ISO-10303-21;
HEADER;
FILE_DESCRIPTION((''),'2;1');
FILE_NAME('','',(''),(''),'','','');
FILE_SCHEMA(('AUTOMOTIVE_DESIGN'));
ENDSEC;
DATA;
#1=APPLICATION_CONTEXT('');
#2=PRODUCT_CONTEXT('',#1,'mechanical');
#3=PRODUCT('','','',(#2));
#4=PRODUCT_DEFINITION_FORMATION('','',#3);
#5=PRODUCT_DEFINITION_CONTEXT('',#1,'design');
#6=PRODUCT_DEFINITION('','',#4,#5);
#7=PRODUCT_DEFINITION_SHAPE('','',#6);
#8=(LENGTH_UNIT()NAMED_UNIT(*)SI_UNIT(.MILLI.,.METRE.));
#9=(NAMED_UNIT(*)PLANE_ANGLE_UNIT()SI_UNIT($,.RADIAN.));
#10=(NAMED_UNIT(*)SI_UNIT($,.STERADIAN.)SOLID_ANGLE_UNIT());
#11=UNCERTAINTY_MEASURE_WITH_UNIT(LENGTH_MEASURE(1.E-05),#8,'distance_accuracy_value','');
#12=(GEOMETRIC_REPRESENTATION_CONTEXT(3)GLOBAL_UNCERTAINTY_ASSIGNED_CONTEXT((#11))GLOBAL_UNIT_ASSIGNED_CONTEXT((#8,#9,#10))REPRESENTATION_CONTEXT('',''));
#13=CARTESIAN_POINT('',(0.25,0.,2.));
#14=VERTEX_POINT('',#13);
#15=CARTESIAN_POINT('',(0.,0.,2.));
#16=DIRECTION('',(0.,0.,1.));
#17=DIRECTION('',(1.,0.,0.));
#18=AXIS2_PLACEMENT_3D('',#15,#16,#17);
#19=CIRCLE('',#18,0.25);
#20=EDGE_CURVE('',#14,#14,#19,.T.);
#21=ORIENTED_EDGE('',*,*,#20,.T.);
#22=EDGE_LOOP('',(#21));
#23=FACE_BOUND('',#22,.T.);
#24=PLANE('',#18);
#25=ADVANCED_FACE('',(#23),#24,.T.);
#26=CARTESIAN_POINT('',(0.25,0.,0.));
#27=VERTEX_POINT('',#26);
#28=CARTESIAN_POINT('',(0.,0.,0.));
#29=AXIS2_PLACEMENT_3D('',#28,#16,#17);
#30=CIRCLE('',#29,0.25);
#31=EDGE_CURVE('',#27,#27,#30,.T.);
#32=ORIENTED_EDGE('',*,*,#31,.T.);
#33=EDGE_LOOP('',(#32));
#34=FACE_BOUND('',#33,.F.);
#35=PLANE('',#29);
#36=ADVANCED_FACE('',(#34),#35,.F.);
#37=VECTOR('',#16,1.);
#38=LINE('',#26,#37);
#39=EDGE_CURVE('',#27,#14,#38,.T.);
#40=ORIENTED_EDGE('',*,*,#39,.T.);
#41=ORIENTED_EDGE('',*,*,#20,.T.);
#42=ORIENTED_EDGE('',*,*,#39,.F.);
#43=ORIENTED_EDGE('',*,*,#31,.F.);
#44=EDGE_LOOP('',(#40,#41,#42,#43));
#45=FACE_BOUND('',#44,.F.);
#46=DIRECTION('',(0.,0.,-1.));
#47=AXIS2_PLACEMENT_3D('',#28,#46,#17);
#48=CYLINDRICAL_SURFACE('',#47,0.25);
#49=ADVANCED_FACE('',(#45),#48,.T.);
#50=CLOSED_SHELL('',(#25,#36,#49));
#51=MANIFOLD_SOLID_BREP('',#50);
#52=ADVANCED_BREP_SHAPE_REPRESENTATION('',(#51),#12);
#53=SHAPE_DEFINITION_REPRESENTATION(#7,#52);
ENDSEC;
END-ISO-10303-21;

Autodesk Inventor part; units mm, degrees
ref_plane "YZ Plane" through (0, 0, 0) normal (1, 0, 0) x (0, 1, 0)
ref_plane "XZ Plane" through (0, 0, 0) normal (0, 1, 0) x (-1, 0, 0)
ref_plane "XY Plane" through (0, 0, 0) normal (0, 0, 1) x (1, 0, 0)
sketch "Skizze1" plane through (0, 0, 0) normal (0, 0, 1) x (1, 0, 0)
  circle A0 centre (0, 0) radius 0.25
  dimension "d0" = 0.5
extrude "Extrusion1" add sketch "Skizze1" along normal blind 2
properties part number "Transition_2_3"
